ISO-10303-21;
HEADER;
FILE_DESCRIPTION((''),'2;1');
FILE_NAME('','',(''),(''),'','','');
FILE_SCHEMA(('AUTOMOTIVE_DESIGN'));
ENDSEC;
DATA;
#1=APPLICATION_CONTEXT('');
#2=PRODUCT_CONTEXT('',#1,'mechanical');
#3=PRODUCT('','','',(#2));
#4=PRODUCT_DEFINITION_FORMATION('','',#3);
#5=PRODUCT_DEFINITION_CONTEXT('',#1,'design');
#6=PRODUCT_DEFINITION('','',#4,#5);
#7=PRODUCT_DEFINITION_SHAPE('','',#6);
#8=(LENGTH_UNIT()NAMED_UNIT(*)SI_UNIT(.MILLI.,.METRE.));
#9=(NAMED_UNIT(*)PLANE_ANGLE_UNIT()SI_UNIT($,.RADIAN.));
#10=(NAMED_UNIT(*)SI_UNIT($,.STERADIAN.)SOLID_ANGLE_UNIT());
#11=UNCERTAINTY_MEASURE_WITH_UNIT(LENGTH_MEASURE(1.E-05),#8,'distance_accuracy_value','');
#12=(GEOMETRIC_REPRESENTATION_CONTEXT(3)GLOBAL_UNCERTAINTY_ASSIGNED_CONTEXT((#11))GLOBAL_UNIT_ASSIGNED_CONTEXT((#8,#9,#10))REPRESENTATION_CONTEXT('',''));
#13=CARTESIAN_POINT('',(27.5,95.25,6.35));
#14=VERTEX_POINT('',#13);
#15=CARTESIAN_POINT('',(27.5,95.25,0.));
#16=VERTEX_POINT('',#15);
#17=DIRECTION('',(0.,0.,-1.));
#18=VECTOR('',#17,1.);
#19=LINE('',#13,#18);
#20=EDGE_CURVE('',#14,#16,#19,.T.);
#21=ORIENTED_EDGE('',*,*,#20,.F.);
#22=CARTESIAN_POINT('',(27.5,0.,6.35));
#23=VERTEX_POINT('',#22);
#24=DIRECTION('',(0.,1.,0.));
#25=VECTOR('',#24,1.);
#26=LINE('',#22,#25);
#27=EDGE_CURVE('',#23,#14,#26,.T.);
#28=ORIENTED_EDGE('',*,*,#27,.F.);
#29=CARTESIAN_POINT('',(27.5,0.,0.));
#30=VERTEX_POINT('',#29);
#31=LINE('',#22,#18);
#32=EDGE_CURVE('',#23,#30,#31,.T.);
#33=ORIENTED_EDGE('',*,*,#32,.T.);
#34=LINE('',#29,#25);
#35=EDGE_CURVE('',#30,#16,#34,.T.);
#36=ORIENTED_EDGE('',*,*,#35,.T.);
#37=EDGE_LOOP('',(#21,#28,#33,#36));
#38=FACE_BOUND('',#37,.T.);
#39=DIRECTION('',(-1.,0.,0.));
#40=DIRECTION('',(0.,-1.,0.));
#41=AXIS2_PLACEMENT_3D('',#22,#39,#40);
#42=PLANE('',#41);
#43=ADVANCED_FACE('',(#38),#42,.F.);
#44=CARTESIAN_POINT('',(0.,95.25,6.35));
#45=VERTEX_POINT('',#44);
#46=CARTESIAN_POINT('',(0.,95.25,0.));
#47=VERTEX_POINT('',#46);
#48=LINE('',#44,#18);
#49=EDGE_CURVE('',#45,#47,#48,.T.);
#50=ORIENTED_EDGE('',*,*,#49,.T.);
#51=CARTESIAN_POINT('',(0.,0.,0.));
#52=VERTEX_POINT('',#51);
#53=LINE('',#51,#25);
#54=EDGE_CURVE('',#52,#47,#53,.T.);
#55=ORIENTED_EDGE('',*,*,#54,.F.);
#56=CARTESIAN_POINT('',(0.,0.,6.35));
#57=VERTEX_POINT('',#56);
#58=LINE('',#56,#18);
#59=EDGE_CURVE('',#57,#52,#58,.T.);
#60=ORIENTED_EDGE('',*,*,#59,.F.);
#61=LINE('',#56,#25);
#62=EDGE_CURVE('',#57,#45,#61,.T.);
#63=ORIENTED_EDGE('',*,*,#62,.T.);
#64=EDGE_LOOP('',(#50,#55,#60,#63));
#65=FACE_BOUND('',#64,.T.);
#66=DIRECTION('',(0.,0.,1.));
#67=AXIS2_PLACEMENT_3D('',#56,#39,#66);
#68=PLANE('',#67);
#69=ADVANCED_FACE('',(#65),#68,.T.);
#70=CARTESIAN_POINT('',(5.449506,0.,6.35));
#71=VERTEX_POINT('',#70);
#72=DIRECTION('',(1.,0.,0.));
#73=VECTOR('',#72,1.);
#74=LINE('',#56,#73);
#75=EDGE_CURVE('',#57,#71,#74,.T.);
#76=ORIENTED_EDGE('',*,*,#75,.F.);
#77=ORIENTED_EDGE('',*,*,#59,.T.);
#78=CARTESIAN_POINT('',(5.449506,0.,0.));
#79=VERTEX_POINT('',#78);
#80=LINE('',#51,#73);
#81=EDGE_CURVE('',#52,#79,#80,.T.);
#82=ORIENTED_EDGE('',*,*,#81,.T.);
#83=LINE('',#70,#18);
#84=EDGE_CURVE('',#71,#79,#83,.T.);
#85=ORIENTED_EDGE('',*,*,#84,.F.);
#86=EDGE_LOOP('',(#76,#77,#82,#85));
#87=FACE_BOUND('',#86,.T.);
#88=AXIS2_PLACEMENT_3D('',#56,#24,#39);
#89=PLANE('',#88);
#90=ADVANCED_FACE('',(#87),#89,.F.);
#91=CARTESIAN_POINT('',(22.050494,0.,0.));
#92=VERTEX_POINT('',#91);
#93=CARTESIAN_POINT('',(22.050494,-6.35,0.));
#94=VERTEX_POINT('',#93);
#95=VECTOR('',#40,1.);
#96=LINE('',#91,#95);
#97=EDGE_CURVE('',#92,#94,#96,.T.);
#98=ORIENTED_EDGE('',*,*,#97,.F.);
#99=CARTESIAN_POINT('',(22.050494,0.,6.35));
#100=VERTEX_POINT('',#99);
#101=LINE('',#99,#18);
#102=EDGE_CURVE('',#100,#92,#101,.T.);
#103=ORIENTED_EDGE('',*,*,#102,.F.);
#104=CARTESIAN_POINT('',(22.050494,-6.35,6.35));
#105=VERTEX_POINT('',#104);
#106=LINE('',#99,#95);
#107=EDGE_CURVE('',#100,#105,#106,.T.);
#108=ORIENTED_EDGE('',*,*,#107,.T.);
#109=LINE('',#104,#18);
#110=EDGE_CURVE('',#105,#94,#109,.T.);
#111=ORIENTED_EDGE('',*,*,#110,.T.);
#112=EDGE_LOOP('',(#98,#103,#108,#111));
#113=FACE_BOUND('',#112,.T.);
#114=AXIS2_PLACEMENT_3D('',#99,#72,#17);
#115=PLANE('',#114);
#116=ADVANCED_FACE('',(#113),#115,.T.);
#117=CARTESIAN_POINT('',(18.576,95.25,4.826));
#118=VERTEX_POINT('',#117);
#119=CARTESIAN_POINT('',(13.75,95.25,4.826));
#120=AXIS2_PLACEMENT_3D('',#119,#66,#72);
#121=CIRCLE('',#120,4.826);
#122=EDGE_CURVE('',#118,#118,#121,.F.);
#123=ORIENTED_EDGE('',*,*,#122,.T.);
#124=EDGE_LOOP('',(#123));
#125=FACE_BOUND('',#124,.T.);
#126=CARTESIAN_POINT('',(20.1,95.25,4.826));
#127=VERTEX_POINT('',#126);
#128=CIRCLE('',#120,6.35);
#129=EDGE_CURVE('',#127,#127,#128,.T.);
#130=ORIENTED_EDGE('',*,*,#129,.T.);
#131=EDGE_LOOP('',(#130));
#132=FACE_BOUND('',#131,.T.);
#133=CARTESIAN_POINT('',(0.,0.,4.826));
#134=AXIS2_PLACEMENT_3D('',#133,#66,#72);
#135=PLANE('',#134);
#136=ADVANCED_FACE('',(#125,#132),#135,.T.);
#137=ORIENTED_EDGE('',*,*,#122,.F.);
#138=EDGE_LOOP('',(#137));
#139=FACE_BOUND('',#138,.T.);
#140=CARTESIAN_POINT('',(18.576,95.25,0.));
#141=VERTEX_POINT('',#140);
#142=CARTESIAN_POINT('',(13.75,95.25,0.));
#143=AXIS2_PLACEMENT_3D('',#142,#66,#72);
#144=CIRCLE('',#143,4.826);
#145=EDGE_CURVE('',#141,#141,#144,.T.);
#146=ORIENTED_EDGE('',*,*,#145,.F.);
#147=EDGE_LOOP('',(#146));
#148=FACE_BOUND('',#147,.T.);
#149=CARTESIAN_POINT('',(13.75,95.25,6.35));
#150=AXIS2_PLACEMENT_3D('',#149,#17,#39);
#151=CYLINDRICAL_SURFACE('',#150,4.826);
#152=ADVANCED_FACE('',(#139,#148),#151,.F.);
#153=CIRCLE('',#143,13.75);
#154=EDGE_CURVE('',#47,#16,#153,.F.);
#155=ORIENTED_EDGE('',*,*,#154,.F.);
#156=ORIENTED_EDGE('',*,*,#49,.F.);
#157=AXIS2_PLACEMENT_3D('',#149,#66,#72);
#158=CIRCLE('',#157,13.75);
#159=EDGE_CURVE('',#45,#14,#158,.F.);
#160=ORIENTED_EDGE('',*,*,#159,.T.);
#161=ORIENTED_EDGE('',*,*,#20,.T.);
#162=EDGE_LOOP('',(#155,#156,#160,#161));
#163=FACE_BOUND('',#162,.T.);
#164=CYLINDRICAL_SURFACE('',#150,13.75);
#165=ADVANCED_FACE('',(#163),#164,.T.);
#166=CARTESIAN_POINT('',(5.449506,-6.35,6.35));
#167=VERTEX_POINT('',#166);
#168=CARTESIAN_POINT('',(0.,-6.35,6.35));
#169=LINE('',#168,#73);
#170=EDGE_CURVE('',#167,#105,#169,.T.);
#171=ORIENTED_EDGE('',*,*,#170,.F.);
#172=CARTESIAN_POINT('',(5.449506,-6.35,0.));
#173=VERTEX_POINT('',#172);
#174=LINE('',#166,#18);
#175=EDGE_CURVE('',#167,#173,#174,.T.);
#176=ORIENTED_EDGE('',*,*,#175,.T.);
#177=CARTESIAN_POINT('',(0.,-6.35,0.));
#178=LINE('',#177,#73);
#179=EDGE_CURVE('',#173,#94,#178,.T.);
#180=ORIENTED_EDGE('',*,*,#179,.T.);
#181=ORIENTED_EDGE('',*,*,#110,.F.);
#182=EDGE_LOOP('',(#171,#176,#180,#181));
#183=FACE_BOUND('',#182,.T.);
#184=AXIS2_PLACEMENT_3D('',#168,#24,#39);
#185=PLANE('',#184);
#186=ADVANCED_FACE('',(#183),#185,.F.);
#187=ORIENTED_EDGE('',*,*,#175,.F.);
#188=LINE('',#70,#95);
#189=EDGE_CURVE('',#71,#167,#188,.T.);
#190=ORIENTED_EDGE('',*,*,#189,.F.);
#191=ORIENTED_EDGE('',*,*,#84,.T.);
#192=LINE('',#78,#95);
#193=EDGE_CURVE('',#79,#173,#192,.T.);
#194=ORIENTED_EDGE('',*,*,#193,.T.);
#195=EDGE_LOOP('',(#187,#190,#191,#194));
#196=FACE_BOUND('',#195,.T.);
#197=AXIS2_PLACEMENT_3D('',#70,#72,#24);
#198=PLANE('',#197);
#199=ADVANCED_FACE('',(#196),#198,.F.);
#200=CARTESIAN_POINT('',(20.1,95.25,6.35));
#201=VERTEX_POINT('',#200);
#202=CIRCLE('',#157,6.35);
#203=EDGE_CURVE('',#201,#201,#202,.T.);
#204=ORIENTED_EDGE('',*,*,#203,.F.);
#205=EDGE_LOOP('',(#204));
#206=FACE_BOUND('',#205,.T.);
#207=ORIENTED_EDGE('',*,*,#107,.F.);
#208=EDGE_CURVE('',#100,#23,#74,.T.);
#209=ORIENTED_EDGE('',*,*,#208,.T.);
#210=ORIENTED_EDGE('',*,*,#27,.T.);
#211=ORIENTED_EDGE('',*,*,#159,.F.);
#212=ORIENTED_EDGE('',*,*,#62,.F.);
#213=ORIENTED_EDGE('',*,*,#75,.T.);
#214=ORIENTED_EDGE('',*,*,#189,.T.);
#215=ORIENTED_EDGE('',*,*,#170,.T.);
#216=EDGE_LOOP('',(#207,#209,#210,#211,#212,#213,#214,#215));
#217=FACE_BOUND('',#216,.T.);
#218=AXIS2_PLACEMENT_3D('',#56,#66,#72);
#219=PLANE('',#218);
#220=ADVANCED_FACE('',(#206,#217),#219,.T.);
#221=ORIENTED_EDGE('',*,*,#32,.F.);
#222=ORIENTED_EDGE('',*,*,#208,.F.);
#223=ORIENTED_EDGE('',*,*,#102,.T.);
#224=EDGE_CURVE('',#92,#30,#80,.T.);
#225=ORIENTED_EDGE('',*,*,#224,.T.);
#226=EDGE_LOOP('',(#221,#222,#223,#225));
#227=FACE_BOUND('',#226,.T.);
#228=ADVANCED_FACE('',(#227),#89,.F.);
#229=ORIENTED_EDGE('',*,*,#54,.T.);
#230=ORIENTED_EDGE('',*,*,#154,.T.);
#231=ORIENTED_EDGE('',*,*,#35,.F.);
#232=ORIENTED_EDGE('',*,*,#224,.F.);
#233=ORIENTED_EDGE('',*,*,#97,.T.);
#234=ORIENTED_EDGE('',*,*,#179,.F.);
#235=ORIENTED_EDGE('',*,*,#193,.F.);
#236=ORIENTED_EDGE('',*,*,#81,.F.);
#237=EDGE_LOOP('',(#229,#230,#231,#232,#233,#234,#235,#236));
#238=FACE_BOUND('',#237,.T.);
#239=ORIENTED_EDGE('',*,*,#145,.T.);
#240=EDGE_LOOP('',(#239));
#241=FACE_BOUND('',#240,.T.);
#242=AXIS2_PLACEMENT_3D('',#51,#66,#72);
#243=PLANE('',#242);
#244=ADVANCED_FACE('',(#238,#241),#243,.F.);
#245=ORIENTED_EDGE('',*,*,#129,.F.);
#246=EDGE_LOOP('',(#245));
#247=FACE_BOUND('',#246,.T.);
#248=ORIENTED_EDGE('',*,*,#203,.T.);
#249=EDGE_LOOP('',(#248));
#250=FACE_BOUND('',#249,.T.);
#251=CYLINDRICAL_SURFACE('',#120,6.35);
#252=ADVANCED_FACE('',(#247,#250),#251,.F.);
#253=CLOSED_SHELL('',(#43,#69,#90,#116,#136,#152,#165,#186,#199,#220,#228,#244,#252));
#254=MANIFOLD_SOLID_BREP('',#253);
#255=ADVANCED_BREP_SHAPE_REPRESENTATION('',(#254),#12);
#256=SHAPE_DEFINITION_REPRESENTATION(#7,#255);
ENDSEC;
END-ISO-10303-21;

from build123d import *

# Parameters (mm, degrees)
SKETCH1_R           = 4.826
SKETCH1_W           = 16.600988984
SKETCH1_H           = 6.35
BOSS_EXTRUDE1_DEPTH = 6.35
SKETCH2_R           = 6.35
SKETCH2_R_2         = 4.826
CUT_EXTRUDE1_DEPTH  = 1.524


with BuildPart() as part:
    # Sketch1 → Boss-Extrude1 (new body)
    with BuildSketch(Plane.XY):
        with BuildLine():
            Line((0, 0), (27.5, 0))
            Line((27.5, 0), (27.5, 95.25))
            ThreePointArc((27.5, 95.25), (13.75, 109), (0, 95.25))
            Line((0, 95.25), (0, 0))
        make_face()
        with Locations((13.75, 95.25)):
            Circle(SKETCH1_R, mode=Mode.SUBTRACT)
        with Locations((13.75, -3.175)):
            Rectangle(SKETCH1_W, SKETCH1_H)
    extrude(amount=BOSS_EXTRUDE1_DEPTH)

    # Sketch2 → Cut-Extrude1 (cut)
    with BuildSketch(Plane.XY.offset(6.35)):
        with Locations((13.75, 95.25)):
            Circle(SKETCH2_R)
        with Locations((13.75, 95.25)):
            Circle(SKETCH2_R_2, mode=Mode.SUBTRACT)
    extrude(amount=-CUT_EXTRUDE1_DEPTH, mode=Mode.SUBTRACT)


solid = part.part
